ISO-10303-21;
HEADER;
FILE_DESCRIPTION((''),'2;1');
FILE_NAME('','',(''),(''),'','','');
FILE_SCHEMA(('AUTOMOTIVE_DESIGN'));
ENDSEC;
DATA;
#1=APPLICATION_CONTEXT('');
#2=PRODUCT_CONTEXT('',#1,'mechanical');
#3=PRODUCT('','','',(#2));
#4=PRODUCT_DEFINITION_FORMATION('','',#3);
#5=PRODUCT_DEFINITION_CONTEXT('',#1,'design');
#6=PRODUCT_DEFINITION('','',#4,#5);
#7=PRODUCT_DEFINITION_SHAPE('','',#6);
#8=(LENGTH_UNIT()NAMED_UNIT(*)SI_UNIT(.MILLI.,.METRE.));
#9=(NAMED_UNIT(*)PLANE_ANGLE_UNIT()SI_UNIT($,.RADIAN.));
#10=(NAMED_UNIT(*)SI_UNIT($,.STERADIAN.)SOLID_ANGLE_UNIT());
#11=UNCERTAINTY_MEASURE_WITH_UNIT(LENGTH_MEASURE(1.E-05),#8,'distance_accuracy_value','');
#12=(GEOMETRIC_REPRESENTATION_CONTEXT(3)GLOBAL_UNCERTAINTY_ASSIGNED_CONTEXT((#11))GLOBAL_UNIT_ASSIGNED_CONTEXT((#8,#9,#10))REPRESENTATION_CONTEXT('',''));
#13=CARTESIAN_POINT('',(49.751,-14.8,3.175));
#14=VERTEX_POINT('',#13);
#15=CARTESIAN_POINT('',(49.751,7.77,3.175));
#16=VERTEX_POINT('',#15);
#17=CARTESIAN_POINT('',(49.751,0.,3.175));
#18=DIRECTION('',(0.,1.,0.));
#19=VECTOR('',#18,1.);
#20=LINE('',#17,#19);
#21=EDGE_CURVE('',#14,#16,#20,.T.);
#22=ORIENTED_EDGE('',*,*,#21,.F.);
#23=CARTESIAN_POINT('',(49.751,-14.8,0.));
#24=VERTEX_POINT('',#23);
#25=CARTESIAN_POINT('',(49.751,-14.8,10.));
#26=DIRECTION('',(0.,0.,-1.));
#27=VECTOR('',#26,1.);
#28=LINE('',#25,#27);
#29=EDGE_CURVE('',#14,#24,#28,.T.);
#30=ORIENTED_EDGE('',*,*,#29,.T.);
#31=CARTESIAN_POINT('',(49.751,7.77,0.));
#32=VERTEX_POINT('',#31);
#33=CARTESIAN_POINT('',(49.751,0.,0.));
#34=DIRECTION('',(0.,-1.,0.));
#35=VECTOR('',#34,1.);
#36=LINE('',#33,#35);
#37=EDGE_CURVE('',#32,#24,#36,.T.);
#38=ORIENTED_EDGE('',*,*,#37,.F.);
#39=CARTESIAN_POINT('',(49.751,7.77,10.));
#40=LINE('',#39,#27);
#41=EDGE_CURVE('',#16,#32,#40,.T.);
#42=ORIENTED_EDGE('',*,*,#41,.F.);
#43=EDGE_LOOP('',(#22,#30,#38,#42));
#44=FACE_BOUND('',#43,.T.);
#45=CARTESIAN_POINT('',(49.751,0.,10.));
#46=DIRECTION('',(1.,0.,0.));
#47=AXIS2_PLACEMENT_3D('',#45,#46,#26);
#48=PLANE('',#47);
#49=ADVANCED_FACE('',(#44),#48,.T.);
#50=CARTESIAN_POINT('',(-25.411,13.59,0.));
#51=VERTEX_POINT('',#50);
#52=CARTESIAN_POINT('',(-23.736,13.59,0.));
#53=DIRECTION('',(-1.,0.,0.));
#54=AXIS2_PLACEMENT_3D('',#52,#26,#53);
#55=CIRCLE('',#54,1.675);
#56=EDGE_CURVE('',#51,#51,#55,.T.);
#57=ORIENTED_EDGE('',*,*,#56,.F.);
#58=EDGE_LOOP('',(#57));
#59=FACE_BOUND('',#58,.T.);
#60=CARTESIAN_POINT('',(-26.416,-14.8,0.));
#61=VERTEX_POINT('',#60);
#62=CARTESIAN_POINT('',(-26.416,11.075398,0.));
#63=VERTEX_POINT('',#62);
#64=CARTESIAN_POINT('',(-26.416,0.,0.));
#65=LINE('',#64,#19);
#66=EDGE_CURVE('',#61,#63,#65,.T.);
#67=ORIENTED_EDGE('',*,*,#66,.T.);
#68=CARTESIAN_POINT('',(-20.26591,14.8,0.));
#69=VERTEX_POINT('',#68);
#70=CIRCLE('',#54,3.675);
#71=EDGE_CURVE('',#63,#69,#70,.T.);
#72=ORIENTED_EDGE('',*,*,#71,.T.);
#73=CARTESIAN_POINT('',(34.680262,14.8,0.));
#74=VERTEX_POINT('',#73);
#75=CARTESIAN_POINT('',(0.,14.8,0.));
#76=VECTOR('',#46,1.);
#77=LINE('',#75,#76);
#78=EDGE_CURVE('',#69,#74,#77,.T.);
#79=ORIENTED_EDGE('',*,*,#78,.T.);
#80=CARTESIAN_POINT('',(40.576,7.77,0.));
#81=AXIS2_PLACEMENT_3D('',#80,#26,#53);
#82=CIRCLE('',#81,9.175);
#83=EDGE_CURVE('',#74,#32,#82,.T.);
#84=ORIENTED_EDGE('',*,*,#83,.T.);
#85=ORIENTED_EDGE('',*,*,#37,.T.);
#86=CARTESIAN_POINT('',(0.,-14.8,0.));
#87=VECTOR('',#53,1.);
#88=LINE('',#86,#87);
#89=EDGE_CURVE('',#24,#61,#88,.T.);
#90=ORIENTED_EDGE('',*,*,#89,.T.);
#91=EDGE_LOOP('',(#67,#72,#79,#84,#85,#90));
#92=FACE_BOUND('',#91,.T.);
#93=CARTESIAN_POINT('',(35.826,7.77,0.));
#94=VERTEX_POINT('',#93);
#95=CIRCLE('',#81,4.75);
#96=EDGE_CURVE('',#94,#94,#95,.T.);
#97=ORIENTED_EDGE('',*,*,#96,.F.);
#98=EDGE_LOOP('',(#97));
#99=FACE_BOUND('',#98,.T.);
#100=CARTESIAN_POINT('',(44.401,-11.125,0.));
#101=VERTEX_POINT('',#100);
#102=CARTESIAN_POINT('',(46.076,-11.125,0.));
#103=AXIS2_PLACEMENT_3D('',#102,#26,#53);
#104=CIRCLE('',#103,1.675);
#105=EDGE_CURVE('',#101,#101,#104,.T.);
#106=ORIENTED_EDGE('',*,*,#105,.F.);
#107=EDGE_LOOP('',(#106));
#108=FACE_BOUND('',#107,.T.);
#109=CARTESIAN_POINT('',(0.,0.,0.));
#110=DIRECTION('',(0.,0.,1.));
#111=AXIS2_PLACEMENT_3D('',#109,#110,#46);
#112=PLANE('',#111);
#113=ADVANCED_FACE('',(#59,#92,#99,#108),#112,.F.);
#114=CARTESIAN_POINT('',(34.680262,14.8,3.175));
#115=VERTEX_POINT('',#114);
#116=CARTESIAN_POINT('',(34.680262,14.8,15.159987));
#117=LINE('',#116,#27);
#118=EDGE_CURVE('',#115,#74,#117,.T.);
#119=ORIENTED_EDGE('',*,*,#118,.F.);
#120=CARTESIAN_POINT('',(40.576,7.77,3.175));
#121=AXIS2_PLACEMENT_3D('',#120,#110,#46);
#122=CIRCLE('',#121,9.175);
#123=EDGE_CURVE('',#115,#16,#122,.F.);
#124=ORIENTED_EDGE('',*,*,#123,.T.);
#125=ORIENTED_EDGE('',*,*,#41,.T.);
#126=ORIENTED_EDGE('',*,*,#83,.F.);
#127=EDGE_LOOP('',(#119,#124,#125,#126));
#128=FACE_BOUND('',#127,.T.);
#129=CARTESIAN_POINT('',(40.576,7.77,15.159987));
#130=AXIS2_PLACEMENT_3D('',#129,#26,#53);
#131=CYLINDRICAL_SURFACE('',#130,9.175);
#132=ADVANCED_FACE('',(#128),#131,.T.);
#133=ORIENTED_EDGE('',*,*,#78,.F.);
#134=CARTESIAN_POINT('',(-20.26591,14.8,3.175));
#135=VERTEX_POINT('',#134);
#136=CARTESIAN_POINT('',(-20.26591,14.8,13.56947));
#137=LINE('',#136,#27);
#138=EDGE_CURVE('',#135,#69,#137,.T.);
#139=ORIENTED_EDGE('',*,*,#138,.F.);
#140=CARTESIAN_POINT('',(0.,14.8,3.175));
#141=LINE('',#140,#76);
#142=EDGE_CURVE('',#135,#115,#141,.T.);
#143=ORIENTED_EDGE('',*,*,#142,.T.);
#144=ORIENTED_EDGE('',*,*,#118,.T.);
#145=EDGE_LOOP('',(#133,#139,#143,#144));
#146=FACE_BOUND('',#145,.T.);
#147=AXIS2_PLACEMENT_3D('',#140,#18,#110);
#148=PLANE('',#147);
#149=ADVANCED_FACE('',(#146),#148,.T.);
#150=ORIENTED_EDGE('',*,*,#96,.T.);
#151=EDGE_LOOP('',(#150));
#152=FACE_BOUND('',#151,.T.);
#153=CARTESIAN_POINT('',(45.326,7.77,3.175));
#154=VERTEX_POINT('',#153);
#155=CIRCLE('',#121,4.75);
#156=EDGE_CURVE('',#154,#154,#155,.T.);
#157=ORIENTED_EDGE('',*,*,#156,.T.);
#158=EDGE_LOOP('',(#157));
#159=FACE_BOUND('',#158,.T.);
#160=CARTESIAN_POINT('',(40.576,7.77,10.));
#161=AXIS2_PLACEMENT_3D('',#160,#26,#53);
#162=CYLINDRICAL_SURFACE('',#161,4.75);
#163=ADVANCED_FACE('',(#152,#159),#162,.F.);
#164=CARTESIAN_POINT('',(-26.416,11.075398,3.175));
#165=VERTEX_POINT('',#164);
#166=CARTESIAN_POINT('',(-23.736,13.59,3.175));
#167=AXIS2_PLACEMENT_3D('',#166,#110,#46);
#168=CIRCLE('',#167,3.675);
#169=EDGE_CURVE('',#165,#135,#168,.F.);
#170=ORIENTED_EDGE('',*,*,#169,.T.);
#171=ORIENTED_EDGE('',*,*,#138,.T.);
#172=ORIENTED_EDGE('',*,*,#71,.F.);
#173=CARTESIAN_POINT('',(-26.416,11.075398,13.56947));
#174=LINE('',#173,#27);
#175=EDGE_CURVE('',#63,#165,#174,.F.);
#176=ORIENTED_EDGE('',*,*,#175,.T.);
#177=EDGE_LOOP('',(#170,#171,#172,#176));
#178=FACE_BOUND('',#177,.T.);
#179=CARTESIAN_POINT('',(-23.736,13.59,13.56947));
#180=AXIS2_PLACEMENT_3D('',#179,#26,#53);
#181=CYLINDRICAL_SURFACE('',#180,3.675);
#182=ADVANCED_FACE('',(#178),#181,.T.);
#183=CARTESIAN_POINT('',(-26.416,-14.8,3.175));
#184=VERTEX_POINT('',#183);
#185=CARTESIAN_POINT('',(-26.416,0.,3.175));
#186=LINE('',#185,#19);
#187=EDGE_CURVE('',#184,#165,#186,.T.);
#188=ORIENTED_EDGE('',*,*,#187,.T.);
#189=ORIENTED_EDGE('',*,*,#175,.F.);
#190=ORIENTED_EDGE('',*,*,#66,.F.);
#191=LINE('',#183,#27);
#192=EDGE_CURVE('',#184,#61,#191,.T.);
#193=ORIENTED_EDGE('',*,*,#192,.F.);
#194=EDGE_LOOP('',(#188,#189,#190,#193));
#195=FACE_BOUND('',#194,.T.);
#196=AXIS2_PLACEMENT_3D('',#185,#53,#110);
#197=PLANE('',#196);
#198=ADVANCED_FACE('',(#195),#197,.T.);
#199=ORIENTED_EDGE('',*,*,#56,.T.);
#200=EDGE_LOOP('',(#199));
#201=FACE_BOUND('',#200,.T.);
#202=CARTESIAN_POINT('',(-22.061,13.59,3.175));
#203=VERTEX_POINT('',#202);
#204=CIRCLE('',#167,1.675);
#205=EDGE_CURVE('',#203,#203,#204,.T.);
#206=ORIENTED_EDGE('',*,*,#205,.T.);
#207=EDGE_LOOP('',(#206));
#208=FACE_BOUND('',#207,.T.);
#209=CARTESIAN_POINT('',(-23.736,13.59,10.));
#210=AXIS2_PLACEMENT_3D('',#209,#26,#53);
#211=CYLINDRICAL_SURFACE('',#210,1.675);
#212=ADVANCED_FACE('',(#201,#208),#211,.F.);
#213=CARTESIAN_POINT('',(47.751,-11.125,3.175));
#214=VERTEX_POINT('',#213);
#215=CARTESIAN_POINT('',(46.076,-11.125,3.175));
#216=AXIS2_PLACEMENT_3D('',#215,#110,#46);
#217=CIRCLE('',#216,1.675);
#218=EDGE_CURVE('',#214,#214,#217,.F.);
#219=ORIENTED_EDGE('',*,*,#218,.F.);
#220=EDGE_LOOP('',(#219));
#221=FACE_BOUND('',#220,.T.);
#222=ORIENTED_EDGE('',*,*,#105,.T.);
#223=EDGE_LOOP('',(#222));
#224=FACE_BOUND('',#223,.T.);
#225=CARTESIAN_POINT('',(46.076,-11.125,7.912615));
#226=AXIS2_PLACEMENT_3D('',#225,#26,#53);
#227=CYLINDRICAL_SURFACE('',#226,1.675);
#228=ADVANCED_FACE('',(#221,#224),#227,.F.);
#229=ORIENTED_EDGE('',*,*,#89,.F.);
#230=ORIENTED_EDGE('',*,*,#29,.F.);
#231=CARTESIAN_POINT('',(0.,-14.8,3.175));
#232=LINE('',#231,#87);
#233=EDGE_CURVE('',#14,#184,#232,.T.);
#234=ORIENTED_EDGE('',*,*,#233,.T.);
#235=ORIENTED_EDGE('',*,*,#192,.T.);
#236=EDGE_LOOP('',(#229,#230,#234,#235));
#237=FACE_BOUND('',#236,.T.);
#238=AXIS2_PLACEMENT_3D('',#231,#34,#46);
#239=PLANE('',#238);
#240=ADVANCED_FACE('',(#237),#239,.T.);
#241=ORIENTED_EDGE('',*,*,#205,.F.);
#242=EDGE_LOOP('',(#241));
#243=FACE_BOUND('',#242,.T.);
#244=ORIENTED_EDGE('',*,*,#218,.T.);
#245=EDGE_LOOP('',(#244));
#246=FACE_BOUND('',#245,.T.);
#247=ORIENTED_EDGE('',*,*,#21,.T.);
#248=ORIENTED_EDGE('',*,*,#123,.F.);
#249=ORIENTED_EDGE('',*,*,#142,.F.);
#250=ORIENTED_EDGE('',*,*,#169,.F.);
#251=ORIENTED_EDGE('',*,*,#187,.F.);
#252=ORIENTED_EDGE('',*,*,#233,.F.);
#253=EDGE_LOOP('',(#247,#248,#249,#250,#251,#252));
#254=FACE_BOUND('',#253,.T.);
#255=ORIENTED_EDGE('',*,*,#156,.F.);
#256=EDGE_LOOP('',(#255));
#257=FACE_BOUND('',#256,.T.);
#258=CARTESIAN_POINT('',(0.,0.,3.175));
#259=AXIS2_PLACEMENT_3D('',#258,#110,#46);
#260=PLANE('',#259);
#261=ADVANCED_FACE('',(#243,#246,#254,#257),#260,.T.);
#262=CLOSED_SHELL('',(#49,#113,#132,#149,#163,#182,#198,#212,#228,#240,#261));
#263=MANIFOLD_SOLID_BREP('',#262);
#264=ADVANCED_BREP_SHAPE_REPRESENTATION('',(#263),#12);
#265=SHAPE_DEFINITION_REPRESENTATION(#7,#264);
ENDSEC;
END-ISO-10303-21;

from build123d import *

# Parameters (mm, degrees)
SKETCH1_W            = 6.266
SKETCH1_H            = 19.6
SKETCH1_R            = 1.675
SKETCH1_W_2          = 52.832
SKETCH1_H_2          = 5
BOSS_EXTRUDE2_DEPTH  = 3.175
SKETCH3_W            = 30
SKETCH3_H            = 29.6
BOSS_EXTRUDE3_DEPTH  = 3.175
SKETCH4_R            = 4.75
CUT_EXTRUDE1_DEPTH   = 10
BOSS_EXTRUDE14_DEPTH = 3.175
CUT_EXTRUDE8_DEPTH   = 10
SKETCH24_R           = 1.675
CUT_EXTRUDE9_DEPTH   = 10
SKETCH25_R           = 3.675
SKETCH25_R_2         = 1.675
BOSS_EXTRUDE15_DEPTH = 3.175
SKETCH26_R           = 1.675
CUT_EXTRUDE12_DEPTH  = 3.175
SKETCH27_W           = 52.932563224
SKETCH27_H           = 23.005559857
BOSS_EXTRUDE16_DEPTH = 3.175
CUT_EXTRUDE14_DEPTH  = 10


with BuildPart() as part:
    # Sketch1 → Boss-Extrude2 (new body)
    # profile 1 of 4: a face of its own
    with BuildSketch(Plane.XY):
        with Locations((-23.283, 0)):
            Rectangle(SKETCH1_W, SKETCH1_H)
        with Locations((-23.95, -4.974)):
            Circle(SKETCH1_R, mode=Mode.SUBTRACT)
        with Locations((-23.95, 4.974)):
            Circle(SKETCH1_R, mode=Mode.SUBTRACT)
    # profile 2 of 4: a face of its own
    with BuildSketch(Plane.XY):
        with Locations((0, -12.3)):
            Rectangle(SKETCH1_W_2, SKETCH1_H_2)
    # profile 3 of 4: a face of its own
    with BuildSketch(Plane.XY):
        with Locations((0, 12.3)):
            Rectangle(SKETCH1_W_2, SKETCH1_H_2)
    # profile 4 of 4: a face of its own
    with BuildSketch(Plane.XY):
        with Locations((23.283, 0)):
            Rectangle(SKETCH1_W, SKETCH1_H)
        with Locations((23.95, -4.974)):
            Circle(SKETCH1_R, mode=Mode.SUBTRACT)
        with Locations((23.95, 4.974)):
            Circle(SKETCH1_R, mode=Mode.SUBTRACT)
    extrude(amount=BOSS_EXTRUDE2_DEPTH)

    # Sketch3 → Boss-Extrude3 (add)
    with BuildSketch(Plane.XY.offset(3.175)):
        with Locations((41.416, 0)):
            Rectangle(SKETCH3_W, SKETCH3_H)
    extrude(amount=-BOSS_EXTRUDE3_DEPTH)

    # Sketch4 → Cut-Extrude1 (cut)
    with BuildSketch(Plane(origin=(0, 0, 0), x_dir=(-1, 0, 0), z_dir=(0, 0, -1))):
        with Locations((-40.576, 7.77)):
            Circle(SKETCH4_R)
    extrude(amount=-CUT_EXTRUDE1_DEPTH, mode=Mode.SUBTRACT)

    # Sketch22 → Boss-Extrude14 (add)
    with BuildSketch(Plane(origin=(0, 0, 0), x_dir=(-1, 0, 0), z_dir=(0, 0, -1))):
        with BuildLine():
            ThreePointArc((-34.680262133, 14.8), (-40.576, 16.945), (-46.471737867, 14.8))
            Line((-46.471737867, 14.8), (-34.680262133, 14.8))
        make_face()
    extrude(amount=-BOSS_EXTRUDE14_DEPTH)

    # Sketch23 → Cut-Extrude8 (cut)
    with BuildSketch(Plane(origin=(0, 0, 0), x_dir=(-1, 0, 0), z_dir=(0, 0, -1))):
        with BuildLine():
            Line((-49.751, -14.8), (-49.751, 7.77))
            ThreePointArc((-49.751, 7.77), (-48.890866804, 11.648609936), (-46.471737867, 14.8))
            Line((-46.471737867, 14.8), (-56.416, 14.8))
            Line((-56.416, 14.8), (-56.416, -14.8))
            Line((-56.416, -14.8), (-49.751, -14.8))
        make_face()
    extrude(amount=-CUT_EXTRUDE8_DEPTH, mode=Mode.SUBTRACT)

    # Sketch24 → Cut-Extrude9 (cut)
    with BuildSketch(Plane(origin=(0, 0, 0), x_dir=(-1, 0, 0), z_dir=(0, 0, -1))):
        with Locations((23.736, 13.59)):
            Circle(SKETCH24_R)
    extrude(amount=-CUT_EXTRUDE9_DEPTH, mode=Mode.SUBTRACT)

    # Sketch25 → Boss-Extrude15 (add)
    # profile 1 of 3: a face of its own
    with BuildSketch(Plane(origin=(0, 0, 0), x_dir=(-1, 0, 0), z_dir=(0, 0, -1))):
        with Locations((23.95, -4.974)):
            Circle(SKETCH25_R)
        with Locations(Location((23.95, -4.974, 0), (0, 0, 180))):
            Circle(SKETCH25_R_2, mode=Mode.SUBTRACT)
    # profile 2 of 3: a face of its own
    with BuildSketch(Plane(origin=(0, 0, 0), x_dir=(-1, 0, 0), z_dir=(0, 0, -1))):
        with Locations((23.95, 4.974)):
            Circle(SKETCH25_R)
        with Locations(Location((23.95, 4.974, 0), (0, 0, 180))):
            Circle(SKETCH25_R_2, mode=Mode.SUBTRACT)
    # profile 3 of 3: a face of its own
    with BuildSketch(Plane(origin=(0, 0, 0), x_dir=(-1, 0, 0), z_dir=(0, 0, -1))):
        with Locations((23.736, 13.59)):
            Circle(SKETCH25_R)
        with Locations((23.736, 13.59)):
            Circle(SKETCH25_R_2, mode=Mode.SUBTRACT)
    extrude(amount=-BOSS_EXTRUDE15_DEPTH)

    # Sketch26 → Cut-Extrude12 (cut)
    with BuildSketch(Plane(origin=(0, 0, 0), x_dir=(-1, 0, 0), z_dir=(0, 0, -1))):
        with Locations((-46.076, -11.125)):
            Circle(SKETCH26_R)
    extrude(amount=-CUT_EXTRUDE12_DEPTH, mode=Mode.SUBTRACT)

    # Sketch27 → Boss-Extrude16 (add)
    with BuildSketch(Plane(origin=(0, 0, 0), x_dir=(-1, 0, 0), z_dir=(0, 0, -1))):
        with Locations((-0.417160697, -0.481381251)):
            Rectangle(SKETCH27_W, SKETCH27_H)
    extrude(amount=-BOSS_EXTRUDE16_DEPTH)

    # Sketch28 → Cut-Extrude14 (cut)
    with BuildSketch(Plane(origin=(0, 0, 0), x_dir=(-1, 0, 0), z_dir=(0, 0, -1))):
        Polygon((26.416, 8.97792488), (26.416, -8.885991227), (33.695668031, -3.414754928), align=None)
    extrude(amount=-CUT_EXTRUDE14_DEPTH, mode=Mode.SUBTRACT)


solid = part.part
